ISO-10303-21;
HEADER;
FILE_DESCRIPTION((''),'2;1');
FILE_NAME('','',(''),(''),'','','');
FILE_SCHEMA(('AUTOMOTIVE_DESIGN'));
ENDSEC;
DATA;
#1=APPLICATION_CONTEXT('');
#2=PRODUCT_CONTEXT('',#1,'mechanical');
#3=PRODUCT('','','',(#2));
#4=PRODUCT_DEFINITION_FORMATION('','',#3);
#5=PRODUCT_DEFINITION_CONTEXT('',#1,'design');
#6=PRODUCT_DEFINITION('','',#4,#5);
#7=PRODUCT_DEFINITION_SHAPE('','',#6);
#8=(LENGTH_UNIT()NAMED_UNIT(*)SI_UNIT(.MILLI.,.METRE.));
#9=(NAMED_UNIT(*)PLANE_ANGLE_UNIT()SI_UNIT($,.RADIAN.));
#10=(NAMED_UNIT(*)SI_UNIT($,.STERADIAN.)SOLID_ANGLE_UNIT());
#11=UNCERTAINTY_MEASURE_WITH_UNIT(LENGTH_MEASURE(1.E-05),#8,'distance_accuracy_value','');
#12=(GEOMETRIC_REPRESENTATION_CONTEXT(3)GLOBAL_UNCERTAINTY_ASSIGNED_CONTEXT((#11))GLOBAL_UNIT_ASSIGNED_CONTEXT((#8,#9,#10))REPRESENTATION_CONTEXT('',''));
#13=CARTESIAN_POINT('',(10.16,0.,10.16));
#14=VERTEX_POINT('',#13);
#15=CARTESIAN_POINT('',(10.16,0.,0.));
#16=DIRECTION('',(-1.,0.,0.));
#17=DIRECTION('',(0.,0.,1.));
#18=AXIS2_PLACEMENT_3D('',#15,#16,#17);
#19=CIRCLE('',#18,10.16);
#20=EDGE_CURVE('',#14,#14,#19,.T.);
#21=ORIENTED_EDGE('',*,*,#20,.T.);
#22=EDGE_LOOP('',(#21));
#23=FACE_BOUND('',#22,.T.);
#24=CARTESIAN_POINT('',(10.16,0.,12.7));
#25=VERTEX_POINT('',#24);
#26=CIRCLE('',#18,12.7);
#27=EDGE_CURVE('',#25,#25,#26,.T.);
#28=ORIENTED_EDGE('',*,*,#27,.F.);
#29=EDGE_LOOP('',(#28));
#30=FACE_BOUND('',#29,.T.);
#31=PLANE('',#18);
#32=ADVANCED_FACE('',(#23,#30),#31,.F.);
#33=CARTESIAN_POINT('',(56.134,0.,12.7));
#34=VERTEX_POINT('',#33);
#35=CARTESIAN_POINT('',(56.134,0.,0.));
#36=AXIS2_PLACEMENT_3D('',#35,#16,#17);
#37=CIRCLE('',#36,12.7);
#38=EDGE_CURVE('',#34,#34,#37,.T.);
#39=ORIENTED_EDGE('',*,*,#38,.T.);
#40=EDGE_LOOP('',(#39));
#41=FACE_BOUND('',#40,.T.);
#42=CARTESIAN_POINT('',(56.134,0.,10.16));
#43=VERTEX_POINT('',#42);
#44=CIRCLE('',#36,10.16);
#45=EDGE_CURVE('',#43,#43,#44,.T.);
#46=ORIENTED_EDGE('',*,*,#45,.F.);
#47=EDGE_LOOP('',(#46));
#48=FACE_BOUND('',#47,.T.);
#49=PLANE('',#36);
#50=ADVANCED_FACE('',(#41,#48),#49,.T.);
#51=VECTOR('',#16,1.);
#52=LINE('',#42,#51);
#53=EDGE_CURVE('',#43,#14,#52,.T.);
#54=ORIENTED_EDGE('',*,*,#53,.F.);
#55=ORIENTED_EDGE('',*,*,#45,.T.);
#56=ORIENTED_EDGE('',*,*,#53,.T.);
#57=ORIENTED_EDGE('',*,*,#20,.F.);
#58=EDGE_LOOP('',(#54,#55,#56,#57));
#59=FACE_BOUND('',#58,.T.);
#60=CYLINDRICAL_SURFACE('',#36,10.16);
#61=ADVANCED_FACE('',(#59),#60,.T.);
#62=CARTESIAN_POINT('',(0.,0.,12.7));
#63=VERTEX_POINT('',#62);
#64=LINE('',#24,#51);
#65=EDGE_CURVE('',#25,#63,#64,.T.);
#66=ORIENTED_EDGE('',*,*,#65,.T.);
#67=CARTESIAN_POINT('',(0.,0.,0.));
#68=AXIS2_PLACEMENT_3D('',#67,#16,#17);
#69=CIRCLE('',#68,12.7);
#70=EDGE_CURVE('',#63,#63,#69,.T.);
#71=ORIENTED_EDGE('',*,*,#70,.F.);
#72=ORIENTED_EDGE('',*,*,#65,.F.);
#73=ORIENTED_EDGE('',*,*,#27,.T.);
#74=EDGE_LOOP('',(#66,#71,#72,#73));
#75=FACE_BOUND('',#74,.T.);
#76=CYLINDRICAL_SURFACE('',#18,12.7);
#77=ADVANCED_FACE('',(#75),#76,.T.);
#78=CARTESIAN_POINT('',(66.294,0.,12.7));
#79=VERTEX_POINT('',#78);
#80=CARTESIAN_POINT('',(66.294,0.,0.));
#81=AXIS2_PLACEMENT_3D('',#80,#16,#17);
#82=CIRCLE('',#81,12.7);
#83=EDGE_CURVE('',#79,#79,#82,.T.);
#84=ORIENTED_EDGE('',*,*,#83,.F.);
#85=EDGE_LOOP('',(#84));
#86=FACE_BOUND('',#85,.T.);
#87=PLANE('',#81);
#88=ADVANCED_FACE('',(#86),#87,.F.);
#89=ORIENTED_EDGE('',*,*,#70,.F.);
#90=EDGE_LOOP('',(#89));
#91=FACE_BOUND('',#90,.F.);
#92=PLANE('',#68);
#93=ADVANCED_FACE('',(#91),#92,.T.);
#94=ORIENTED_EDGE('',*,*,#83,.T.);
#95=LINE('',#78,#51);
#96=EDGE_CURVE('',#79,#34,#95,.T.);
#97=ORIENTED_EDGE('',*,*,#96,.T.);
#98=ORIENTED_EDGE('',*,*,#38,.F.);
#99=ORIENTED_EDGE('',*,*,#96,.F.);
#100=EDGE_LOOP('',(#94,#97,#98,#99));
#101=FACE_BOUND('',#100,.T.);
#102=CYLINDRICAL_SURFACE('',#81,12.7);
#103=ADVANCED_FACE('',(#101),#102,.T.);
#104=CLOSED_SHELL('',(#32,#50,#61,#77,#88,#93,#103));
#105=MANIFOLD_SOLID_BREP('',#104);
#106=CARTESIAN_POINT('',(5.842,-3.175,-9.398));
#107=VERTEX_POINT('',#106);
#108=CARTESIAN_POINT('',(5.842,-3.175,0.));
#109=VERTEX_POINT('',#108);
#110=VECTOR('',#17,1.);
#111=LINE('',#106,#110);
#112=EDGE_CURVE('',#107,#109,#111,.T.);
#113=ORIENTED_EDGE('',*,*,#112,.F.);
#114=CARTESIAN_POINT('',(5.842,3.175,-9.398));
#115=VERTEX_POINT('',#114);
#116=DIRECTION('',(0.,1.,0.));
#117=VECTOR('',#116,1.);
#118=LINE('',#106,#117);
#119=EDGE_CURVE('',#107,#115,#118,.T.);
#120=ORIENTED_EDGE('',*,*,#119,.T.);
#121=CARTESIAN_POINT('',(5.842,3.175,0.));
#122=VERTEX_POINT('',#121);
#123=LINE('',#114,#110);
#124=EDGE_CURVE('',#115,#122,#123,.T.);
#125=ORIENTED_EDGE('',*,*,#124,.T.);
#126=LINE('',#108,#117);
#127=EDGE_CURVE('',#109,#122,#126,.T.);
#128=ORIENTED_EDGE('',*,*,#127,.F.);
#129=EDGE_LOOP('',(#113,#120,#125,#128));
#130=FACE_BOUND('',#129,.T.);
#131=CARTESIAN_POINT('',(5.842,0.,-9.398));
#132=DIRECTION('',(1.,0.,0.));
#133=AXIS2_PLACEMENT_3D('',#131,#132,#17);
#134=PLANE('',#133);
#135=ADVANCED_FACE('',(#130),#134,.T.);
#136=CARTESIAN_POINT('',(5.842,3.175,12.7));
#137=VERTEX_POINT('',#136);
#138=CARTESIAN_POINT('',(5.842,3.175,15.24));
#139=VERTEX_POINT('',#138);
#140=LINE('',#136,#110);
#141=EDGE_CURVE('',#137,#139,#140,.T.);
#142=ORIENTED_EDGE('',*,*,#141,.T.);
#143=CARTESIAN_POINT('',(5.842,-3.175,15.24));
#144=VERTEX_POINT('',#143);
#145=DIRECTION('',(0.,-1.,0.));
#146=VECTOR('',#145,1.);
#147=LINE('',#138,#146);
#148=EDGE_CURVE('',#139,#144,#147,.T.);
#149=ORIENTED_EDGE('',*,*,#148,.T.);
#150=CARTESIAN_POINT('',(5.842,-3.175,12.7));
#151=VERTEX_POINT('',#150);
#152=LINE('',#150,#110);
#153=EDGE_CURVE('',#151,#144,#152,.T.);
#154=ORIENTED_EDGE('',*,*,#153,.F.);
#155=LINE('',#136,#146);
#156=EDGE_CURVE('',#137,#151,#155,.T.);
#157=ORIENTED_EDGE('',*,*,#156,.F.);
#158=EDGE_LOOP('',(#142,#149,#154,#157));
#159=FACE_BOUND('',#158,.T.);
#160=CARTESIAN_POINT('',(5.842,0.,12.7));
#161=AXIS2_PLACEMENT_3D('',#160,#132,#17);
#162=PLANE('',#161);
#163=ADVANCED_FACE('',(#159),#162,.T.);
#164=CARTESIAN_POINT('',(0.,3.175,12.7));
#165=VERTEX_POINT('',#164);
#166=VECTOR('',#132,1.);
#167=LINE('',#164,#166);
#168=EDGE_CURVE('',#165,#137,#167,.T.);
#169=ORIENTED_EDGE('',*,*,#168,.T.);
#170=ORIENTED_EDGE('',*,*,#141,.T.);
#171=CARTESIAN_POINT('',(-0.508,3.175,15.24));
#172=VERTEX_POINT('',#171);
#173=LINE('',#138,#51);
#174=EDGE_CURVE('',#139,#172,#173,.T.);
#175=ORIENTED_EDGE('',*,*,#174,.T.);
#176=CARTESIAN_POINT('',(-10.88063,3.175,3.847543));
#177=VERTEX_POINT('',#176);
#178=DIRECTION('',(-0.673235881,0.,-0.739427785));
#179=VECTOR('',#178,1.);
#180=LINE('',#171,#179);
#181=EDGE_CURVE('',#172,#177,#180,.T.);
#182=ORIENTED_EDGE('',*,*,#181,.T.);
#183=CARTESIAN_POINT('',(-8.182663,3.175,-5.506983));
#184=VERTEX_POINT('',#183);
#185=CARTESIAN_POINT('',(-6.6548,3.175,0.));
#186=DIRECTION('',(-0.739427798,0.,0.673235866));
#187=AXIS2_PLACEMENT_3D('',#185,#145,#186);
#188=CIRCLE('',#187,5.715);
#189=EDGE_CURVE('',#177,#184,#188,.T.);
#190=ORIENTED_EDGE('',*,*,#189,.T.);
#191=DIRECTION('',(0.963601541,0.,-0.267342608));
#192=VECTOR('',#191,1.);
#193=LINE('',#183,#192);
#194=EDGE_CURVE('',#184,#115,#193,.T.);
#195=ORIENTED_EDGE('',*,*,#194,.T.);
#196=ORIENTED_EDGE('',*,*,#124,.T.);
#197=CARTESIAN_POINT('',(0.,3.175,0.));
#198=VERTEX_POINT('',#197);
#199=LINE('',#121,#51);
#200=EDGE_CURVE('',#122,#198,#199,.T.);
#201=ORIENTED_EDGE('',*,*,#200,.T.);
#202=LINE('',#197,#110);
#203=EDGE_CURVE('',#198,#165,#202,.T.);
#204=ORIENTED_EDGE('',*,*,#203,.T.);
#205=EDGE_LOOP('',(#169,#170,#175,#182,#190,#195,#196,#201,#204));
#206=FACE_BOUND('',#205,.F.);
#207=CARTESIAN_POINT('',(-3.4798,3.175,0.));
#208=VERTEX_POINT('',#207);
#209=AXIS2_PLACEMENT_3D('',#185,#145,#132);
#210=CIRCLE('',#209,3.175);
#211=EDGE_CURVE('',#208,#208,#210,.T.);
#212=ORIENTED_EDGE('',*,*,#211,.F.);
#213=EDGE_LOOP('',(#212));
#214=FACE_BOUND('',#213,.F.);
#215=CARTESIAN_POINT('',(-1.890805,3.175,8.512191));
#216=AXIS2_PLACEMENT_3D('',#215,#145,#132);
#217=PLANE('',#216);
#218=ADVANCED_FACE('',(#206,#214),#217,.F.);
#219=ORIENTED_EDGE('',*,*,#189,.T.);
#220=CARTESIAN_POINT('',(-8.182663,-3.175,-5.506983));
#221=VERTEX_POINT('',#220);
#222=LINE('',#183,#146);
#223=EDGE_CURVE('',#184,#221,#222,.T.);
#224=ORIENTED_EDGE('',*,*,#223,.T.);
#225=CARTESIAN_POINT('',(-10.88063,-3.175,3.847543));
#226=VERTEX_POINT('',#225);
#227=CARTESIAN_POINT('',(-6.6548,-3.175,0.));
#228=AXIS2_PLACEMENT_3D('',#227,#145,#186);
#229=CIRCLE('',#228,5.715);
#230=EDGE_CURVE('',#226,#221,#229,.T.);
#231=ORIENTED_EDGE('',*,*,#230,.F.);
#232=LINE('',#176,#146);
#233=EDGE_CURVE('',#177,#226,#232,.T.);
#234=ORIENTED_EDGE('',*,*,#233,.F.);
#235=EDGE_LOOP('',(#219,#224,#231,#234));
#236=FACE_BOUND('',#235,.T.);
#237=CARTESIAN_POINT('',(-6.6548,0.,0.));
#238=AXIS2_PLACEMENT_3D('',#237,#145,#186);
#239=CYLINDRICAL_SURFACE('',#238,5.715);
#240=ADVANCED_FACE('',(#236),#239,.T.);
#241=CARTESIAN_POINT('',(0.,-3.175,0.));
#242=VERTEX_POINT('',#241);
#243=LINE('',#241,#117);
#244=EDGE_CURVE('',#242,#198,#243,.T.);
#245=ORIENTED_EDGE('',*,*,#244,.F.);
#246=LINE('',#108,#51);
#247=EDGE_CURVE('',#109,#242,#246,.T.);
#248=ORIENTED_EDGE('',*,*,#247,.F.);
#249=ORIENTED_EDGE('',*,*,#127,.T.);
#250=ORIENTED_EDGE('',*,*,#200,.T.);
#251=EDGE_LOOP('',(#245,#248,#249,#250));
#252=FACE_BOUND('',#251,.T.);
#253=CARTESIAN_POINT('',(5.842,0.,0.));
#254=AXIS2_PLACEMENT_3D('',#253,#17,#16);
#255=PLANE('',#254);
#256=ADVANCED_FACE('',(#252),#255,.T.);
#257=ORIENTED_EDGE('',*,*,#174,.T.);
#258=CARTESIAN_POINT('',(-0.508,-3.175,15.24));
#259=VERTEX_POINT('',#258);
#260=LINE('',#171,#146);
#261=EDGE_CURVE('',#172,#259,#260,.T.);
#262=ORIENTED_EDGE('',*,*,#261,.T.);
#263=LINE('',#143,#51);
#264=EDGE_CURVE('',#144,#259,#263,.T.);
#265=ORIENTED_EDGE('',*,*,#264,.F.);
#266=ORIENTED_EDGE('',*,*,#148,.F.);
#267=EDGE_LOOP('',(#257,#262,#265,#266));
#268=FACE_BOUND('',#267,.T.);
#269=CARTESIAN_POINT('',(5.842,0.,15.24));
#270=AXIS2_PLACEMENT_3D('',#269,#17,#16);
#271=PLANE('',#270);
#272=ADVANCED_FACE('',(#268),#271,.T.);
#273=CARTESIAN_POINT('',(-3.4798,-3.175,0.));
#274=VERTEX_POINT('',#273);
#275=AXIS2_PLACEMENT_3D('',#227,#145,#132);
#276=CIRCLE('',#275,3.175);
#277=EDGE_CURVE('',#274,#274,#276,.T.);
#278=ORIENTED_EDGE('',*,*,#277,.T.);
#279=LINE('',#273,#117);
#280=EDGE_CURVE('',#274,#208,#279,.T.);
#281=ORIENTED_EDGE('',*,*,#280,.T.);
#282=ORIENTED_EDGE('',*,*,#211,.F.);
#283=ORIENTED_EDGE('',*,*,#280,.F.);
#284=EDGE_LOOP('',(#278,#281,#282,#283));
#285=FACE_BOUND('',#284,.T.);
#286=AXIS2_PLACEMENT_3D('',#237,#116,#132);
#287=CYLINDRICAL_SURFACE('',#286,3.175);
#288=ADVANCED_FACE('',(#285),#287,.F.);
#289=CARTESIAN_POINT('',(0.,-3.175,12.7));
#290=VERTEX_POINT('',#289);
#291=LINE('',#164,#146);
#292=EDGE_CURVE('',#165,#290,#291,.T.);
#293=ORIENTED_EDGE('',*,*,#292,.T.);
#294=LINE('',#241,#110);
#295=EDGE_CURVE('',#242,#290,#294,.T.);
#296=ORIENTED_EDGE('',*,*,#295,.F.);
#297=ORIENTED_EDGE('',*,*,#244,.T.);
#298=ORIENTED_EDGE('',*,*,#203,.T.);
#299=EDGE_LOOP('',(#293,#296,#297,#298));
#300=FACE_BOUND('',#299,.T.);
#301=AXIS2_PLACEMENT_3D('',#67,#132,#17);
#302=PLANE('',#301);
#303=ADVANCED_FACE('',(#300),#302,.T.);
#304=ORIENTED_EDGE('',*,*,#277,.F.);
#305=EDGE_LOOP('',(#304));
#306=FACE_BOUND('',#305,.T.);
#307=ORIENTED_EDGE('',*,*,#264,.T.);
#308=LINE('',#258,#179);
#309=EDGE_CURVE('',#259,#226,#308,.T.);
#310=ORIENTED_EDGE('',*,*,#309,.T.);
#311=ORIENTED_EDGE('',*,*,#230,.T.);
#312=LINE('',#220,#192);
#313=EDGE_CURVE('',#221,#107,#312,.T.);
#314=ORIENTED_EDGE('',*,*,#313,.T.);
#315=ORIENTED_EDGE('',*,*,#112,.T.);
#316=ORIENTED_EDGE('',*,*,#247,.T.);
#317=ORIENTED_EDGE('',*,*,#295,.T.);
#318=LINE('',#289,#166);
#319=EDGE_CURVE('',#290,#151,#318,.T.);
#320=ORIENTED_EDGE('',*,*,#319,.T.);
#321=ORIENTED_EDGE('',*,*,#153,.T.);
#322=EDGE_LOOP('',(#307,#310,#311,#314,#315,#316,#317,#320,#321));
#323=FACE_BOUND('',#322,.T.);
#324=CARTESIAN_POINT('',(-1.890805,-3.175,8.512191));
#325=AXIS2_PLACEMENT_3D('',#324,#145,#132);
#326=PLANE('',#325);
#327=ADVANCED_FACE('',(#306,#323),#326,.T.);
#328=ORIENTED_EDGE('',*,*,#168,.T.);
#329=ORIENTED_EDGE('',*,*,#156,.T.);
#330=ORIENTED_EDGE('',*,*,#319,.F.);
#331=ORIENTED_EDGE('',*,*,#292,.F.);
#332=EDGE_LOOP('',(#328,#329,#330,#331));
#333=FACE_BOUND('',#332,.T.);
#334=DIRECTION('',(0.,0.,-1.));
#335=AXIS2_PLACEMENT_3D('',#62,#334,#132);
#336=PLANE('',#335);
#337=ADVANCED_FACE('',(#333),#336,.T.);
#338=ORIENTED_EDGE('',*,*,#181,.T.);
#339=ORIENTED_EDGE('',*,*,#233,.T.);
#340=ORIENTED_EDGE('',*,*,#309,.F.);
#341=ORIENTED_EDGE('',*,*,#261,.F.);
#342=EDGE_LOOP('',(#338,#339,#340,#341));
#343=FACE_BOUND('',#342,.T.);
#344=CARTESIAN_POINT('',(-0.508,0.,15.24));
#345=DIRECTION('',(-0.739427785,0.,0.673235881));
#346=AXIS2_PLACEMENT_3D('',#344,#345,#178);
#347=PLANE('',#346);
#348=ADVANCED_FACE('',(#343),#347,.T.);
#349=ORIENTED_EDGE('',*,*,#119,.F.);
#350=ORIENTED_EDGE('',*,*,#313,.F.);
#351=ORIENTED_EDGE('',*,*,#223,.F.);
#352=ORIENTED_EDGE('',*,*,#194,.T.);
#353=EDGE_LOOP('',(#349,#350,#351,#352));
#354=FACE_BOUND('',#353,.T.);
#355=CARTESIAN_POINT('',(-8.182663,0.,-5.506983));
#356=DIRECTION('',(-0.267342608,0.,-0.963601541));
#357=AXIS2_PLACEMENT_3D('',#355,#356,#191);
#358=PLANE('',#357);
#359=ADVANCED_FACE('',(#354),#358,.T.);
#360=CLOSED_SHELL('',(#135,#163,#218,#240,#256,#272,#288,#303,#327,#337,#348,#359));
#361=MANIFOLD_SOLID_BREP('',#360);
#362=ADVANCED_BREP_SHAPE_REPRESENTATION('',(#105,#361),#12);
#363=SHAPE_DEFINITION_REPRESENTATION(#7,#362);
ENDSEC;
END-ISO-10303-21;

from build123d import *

# Parameters (mm, degrees)
F0_W     = 5.842
F0_H     = 12.7
F0_R     = 3.175
F2_DEPTH = 3.175


with BuildPart() as f1:
    # F0 (on Front) → F1 (revolve)
    with BuildSketch(Plane.XZ):
        Polygon((5.842, 12.7), (5.842, 0), (66.294, 0), (66.294, 12.7), (56.134, 12.7), (56.134, 10.16), (10.16, 10.16), (10.16, 12.7), align=None)
        with Locations((2.921, 6.35)):
            Rectangle(F0_W, F0_H)
    revolve(axis=Axis((33.147, 0, 0), (-1, 0, 0)))


with BuildPart() as f2:
    # F0 (on Front) → F2 (new body, symmetric)
    with BuildSketch(Plane.XZ):
        with BuildLine():
            Line((-0.9398, 0), (0, 0))
            Line((0, 0), (0, 12.7))
            Line((0, 12.7), (5.842, 12.7))
            Line((5.842, 12.7), (5.842, 15.24))
            Line((5.842, 15.24), (-0.508, 15.24))
            Line((-0.508, 15.24), (-10.88063, 3.847543))
            ThreePointArc((-10.88063, 3.847543), (-4.591961, 5.329721), (-0.9398, 0))
        make_face()
        with BuildLine():
            ThreePointArc((-8.182663, -5.506983), (-3.195791, -4.549339), (-0.9398, 0))
            ThreePointArc((-0.9398, 0), (-4.591961, 5.329721), (-10.88063, 3.847543))
            ThreePointArc((-10.88063, 3.847543), (-12.145978, -1.583727), (-8.182663, -5.506983))
        make_face()
        with Locations((-6.6548, 0)):
            Circle(F0_R, mode=Mode.SUBTRACT)
        with BuildLine():
            Line((5.842, 0), (0, 0))
            Line((0, 0), (-0.9398, 0))
            ThreePointArc((-0.9398, 0), (-3.195791, -4.549339), (-8.182663, -5.506983))
            Line((-8.182663, -5.506983), (5.842, -9.398))
            Line((5.842, -9.398), (5.842, 0))
        make_face()
    extrude(amount=F2_DEPTH, both=True)


solid = Compound([f1.part, f2.part])
